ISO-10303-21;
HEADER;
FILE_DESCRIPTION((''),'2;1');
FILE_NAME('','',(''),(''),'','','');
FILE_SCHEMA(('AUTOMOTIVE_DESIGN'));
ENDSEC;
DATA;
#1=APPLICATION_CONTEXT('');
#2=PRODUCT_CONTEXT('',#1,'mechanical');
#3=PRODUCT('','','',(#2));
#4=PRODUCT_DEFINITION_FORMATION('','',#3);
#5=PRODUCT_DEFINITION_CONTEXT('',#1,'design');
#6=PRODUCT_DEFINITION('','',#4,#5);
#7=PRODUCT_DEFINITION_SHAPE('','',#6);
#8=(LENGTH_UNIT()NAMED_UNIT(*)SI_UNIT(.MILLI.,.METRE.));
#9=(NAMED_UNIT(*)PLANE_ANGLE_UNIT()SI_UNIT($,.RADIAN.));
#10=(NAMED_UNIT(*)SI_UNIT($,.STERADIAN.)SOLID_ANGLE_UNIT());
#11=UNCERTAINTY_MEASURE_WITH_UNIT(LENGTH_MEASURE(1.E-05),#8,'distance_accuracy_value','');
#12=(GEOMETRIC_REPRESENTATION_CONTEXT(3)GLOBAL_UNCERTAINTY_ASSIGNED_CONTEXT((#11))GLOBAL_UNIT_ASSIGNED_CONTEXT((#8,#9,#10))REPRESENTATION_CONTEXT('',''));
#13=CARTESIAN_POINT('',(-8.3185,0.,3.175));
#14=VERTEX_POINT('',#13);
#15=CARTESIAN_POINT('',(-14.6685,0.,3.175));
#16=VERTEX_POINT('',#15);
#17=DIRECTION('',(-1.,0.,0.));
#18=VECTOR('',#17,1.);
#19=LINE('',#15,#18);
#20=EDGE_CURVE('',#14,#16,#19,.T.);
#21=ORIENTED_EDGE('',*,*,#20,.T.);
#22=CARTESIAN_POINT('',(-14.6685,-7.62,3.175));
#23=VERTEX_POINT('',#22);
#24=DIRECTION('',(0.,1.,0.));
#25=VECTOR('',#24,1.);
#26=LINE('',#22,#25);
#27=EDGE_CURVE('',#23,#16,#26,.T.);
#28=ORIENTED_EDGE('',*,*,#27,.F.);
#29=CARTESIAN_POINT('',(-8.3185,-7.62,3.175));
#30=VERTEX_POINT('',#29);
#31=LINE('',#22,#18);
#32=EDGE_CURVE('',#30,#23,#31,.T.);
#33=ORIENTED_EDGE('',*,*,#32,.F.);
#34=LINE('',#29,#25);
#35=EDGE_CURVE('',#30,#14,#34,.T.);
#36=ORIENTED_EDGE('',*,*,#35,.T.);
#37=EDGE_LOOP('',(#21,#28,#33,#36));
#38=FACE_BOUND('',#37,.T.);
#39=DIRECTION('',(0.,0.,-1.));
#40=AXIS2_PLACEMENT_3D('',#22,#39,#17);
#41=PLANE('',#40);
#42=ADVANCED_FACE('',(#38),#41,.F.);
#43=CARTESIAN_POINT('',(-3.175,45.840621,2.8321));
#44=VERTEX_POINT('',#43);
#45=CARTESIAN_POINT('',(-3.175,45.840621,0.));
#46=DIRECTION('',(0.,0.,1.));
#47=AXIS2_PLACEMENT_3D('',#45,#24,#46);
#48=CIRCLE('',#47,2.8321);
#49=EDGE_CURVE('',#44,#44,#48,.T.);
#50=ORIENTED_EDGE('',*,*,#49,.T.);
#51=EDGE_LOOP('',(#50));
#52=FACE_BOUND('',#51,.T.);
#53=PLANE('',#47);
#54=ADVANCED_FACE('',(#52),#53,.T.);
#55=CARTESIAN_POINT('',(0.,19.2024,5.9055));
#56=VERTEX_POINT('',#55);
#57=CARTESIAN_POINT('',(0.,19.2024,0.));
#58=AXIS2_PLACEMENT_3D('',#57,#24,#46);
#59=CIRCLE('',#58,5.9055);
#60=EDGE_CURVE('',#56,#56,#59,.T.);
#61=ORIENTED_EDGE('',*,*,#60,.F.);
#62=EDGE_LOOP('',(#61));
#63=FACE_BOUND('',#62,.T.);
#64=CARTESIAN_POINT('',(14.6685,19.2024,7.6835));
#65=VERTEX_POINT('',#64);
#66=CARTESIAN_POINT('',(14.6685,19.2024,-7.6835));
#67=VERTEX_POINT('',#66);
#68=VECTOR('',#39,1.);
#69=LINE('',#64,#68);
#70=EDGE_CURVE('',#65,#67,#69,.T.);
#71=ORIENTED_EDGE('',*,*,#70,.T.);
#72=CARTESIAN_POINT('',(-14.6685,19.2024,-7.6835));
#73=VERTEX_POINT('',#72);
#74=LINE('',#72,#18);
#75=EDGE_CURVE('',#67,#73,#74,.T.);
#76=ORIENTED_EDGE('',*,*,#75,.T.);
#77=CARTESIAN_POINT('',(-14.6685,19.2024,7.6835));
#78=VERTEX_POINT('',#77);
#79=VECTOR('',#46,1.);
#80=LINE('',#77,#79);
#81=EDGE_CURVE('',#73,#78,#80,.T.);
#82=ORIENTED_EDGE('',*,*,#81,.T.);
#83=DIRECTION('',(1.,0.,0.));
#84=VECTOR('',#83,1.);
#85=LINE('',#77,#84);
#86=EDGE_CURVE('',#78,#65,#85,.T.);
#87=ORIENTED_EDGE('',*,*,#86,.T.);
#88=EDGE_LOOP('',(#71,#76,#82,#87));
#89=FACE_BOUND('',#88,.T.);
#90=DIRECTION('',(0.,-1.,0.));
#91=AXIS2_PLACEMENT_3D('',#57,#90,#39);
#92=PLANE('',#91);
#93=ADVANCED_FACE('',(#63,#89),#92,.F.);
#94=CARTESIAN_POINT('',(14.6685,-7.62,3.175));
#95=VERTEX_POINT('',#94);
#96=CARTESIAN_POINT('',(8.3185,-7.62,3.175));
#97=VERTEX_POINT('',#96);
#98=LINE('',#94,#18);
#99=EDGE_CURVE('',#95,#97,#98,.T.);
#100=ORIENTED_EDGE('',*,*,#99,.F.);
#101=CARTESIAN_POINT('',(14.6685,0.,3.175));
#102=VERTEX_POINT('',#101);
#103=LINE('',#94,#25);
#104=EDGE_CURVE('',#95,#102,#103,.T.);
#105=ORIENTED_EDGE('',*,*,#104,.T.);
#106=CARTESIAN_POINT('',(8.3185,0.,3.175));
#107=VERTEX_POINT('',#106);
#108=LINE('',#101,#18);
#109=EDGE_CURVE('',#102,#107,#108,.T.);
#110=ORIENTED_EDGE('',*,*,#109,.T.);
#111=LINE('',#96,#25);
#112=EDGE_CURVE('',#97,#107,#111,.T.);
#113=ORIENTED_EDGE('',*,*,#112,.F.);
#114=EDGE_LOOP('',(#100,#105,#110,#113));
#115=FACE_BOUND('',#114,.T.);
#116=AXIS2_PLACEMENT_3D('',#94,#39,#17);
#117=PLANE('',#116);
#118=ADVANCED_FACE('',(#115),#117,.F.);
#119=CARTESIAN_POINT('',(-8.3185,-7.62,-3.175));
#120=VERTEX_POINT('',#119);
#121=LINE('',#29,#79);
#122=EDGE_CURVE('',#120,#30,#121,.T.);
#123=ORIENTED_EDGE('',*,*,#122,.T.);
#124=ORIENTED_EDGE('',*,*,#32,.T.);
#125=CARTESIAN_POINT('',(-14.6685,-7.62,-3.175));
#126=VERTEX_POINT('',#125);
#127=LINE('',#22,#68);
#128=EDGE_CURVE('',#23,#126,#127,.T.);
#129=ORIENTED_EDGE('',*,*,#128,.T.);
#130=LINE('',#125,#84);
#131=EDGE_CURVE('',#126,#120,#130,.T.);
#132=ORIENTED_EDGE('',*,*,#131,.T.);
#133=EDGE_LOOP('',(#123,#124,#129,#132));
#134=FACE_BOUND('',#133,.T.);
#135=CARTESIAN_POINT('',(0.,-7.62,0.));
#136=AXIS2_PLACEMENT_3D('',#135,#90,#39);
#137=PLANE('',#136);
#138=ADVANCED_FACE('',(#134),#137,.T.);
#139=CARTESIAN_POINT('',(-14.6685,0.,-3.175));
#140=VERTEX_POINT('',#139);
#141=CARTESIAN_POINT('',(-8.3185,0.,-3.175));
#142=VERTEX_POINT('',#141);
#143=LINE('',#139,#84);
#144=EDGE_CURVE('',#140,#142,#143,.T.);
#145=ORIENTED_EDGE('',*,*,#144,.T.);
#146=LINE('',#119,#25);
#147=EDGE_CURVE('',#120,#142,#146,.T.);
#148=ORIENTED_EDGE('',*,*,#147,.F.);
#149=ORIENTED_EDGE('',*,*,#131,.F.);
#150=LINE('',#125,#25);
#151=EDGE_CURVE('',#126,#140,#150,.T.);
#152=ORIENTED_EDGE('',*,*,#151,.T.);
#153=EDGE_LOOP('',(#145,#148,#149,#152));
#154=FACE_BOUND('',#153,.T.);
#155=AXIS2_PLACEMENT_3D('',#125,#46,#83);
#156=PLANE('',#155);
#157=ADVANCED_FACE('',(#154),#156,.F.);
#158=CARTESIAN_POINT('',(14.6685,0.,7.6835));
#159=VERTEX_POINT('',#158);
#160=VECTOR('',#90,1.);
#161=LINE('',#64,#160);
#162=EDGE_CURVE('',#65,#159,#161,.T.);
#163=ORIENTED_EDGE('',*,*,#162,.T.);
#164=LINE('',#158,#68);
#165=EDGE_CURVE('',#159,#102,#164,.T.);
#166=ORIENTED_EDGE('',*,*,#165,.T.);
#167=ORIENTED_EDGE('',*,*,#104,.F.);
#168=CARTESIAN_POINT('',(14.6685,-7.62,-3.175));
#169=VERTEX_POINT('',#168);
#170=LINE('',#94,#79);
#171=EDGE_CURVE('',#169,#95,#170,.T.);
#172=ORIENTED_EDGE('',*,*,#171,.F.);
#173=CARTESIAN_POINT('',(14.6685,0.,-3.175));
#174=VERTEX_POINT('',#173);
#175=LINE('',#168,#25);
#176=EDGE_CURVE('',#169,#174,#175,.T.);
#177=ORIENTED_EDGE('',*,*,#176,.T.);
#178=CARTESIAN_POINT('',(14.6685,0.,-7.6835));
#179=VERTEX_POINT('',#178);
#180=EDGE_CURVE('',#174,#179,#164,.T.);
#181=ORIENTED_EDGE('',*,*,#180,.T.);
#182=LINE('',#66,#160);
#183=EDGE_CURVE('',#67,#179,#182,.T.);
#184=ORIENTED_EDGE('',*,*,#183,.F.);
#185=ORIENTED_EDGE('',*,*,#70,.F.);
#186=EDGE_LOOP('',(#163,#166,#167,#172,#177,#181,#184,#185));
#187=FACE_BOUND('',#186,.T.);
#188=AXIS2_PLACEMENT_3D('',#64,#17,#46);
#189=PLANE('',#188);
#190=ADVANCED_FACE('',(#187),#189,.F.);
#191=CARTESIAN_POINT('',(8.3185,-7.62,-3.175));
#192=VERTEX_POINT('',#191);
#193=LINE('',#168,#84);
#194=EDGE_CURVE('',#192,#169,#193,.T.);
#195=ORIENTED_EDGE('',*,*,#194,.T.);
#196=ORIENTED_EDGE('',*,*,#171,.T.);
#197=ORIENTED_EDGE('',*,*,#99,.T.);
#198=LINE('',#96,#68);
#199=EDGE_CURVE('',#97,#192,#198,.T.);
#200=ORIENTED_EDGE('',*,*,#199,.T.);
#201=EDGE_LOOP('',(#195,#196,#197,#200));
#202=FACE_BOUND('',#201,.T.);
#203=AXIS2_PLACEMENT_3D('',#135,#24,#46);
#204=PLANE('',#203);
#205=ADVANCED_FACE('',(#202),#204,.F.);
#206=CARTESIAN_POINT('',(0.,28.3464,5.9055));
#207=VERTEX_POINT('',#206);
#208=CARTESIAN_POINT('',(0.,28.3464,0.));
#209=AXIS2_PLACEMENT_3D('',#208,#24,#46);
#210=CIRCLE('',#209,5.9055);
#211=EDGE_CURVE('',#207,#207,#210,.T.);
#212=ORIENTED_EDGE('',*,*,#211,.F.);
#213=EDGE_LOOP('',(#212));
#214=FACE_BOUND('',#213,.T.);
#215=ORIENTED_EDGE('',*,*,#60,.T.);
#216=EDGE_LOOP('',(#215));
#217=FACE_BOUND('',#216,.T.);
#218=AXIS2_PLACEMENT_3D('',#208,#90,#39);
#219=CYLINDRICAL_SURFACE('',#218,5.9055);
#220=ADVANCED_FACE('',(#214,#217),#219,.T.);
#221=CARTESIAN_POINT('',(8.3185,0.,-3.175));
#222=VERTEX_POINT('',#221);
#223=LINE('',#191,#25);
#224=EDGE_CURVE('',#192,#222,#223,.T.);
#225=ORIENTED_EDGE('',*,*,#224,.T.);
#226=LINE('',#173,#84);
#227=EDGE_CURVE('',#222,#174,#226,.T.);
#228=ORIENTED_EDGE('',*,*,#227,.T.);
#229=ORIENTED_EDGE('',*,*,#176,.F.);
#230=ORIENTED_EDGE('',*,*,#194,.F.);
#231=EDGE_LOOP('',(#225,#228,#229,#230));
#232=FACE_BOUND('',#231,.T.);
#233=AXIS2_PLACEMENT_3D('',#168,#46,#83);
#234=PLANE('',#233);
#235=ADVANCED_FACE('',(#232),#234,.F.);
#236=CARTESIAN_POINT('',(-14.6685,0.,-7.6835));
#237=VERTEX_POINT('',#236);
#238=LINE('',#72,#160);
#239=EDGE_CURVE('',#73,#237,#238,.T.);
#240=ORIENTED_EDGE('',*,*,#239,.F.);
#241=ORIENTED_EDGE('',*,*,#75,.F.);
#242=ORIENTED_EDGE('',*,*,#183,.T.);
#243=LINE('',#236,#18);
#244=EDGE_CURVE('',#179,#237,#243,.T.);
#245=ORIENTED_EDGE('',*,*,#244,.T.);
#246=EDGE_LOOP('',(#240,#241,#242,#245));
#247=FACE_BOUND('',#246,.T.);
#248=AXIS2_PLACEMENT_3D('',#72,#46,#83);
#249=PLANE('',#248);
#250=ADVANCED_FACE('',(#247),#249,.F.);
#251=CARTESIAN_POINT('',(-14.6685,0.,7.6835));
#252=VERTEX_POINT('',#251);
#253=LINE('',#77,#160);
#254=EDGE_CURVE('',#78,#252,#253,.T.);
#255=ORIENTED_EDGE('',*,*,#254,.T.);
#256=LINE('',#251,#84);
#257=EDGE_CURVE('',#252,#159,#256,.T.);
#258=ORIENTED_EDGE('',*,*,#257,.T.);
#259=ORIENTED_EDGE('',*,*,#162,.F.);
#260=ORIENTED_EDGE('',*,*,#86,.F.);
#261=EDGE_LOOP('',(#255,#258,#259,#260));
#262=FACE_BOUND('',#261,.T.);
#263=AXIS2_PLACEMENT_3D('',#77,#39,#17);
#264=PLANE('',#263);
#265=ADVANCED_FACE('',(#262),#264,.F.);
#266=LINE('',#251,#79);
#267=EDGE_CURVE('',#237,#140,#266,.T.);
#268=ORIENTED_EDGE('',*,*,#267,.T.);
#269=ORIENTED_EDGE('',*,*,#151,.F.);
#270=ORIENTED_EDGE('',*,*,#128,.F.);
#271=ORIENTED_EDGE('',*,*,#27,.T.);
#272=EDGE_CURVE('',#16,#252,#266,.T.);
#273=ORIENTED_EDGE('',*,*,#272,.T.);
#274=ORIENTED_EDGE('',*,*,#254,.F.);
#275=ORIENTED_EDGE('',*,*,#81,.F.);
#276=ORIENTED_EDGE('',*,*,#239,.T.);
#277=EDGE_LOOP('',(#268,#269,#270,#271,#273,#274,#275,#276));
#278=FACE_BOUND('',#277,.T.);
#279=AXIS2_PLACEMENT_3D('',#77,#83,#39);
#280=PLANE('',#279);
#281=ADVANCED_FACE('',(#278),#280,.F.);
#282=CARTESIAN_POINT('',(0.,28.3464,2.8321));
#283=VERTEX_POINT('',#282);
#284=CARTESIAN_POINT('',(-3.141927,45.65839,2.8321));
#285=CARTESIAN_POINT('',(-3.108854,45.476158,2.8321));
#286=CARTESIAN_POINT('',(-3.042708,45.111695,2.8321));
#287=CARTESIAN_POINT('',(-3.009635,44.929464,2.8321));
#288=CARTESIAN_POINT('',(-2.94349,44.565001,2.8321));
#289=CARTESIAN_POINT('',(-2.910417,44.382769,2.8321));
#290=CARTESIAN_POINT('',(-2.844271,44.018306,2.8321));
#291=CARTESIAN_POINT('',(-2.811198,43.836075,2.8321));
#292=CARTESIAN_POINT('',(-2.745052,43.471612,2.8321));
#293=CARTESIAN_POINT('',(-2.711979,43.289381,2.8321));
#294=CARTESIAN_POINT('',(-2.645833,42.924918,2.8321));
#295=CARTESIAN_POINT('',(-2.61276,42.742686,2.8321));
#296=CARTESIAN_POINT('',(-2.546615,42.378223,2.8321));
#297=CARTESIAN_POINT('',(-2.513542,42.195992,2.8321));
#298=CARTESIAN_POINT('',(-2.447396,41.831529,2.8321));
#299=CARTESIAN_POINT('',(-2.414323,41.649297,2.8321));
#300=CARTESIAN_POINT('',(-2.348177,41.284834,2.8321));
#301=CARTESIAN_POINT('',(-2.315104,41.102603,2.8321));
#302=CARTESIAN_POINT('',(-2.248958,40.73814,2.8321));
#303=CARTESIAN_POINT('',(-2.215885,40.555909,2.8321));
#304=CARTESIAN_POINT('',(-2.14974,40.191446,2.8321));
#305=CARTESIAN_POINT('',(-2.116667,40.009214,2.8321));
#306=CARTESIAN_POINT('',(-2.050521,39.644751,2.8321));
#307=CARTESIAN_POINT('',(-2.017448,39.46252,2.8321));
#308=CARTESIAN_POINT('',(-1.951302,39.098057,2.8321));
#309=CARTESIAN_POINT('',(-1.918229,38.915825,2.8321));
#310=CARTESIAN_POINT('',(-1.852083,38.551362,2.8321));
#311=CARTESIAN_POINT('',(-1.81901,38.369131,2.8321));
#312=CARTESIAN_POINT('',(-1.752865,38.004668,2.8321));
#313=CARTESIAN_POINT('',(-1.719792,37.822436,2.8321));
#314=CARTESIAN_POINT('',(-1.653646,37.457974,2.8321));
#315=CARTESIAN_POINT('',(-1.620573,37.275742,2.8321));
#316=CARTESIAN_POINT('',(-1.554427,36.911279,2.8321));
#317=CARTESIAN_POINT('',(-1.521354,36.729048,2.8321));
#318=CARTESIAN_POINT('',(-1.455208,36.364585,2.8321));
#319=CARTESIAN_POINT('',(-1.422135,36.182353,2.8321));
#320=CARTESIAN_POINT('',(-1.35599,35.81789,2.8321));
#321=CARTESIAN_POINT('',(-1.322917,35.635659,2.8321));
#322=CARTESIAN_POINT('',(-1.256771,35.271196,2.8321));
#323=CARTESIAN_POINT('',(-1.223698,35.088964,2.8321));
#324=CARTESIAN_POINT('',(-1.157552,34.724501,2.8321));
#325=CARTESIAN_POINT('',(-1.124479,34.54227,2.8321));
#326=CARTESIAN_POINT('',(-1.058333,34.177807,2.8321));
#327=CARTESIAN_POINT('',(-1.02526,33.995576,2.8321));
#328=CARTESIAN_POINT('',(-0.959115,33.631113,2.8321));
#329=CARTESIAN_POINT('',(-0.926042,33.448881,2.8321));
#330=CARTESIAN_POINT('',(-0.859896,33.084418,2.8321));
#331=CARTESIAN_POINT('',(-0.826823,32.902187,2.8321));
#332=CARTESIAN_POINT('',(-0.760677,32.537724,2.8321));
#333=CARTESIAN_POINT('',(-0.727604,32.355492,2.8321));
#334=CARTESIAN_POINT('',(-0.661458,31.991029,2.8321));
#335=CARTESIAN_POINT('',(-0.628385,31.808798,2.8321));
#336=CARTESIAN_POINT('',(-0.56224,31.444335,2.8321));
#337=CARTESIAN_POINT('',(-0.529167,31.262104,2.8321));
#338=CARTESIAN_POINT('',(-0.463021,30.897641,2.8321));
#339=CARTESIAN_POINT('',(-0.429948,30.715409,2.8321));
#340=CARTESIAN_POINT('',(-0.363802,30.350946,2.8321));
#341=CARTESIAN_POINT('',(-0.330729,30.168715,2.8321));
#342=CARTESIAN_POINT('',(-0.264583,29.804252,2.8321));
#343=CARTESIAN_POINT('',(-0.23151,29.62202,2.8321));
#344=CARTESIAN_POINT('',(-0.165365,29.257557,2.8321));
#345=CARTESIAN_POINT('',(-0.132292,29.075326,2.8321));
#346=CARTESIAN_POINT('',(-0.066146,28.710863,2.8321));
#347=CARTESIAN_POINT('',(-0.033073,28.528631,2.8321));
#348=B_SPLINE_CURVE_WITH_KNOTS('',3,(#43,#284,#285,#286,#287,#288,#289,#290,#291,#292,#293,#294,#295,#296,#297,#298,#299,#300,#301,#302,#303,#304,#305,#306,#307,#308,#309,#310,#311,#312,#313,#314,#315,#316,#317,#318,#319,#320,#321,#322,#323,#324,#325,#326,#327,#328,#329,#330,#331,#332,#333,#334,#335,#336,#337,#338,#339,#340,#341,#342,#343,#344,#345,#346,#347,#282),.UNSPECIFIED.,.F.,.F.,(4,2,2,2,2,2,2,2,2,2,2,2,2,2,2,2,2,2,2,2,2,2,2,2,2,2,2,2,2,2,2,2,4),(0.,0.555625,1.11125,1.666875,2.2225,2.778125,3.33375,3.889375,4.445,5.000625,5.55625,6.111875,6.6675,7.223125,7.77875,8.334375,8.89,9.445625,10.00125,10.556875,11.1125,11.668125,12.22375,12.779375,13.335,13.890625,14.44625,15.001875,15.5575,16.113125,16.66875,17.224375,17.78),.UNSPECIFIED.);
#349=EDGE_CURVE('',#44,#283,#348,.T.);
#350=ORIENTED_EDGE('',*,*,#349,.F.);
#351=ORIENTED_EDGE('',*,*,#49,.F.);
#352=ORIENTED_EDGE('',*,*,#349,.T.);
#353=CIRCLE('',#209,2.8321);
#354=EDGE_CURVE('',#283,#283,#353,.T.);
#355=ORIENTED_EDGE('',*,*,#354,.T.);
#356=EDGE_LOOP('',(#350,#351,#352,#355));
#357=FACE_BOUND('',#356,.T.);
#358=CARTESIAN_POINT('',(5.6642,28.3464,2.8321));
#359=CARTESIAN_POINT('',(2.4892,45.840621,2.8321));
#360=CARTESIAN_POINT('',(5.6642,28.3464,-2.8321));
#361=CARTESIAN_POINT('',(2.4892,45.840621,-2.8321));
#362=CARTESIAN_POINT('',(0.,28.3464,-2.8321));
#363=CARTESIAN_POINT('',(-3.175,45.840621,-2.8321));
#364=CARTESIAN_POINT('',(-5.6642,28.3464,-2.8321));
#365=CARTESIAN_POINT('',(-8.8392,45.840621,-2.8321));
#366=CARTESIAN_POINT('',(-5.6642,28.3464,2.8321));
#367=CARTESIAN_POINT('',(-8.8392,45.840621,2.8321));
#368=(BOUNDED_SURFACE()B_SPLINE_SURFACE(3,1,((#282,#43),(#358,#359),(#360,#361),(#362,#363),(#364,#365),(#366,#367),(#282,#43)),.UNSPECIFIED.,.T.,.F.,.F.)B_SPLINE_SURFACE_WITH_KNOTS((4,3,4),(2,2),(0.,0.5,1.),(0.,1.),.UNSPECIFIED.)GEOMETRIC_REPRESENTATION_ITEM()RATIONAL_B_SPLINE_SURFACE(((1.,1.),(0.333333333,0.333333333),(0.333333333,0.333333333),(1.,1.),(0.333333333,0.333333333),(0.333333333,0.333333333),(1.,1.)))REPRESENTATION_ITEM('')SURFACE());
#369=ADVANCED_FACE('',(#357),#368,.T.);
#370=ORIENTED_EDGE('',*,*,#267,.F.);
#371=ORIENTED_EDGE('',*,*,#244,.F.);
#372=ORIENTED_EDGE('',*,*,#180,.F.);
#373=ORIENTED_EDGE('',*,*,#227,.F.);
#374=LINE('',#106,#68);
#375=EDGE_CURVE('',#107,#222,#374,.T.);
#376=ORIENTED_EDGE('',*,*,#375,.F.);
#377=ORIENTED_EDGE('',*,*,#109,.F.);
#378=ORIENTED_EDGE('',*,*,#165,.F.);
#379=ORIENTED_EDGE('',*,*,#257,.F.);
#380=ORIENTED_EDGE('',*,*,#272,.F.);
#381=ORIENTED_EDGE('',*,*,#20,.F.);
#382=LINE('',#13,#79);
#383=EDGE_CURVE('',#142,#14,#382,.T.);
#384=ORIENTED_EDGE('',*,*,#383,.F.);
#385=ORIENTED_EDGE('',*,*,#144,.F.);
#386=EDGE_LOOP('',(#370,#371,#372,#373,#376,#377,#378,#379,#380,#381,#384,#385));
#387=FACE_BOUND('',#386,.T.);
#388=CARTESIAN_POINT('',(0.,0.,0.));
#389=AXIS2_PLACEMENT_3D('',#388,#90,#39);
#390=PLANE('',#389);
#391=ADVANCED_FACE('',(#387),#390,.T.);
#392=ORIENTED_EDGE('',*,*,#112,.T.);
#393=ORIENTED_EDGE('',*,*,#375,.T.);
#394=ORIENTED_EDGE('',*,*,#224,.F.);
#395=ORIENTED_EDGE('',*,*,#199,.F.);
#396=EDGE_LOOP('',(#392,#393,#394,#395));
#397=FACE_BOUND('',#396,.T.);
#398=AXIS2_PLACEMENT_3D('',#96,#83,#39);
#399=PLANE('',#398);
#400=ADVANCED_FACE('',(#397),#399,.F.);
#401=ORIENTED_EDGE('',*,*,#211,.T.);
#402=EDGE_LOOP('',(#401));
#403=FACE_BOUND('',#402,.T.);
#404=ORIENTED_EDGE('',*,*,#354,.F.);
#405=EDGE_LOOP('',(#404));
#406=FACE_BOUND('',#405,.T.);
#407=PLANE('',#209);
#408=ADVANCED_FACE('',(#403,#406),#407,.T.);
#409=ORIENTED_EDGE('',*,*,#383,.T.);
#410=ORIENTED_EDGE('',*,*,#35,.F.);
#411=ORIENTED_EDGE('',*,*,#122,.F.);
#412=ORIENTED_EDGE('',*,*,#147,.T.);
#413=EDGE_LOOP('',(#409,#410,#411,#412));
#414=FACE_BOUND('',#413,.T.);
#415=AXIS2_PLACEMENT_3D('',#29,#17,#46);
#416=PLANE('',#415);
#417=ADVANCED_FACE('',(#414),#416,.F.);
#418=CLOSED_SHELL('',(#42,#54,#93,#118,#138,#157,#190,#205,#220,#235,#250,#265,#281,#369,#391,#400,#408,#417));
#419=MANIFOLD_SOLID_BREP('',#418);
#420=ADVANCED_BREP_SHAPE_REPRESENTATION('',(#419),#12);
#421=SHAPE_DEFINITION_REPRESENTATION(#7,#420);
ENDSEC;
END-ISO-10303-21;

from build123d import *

# Parameters (mm, degrees)
SKETCH1_W           = 29.337
SKETCH1_H           = 15.367
BOSS_EXTRUDE1_DEPTH = 19.2024
SKETCH2_R           = 5.9055
BOSS_EXTRUDE2_DEPTH = 9.144
SKETCH3_W           = 6.35
SKETCH3_H           = 6.35
BOSS_EXTRUDE3_DEPTH = 7.62
SKETCH4_R           = 2.8321


with BuildPart() as part:
    # Sketch1 → Boss-Extrude1 (new body)
    with BuildSketch(Plane(origin=(0, 0, 0), x_dir=(1, 0, 0), z_dir=(0, 1, 0))):
        Rectangle(SKETCH1_W, SKETCH1_H)
    extrude(amount=BOSS_EXTRUDE1_DEPTH)

    # Sketch2 → Boss-Extrude2 (add)
    with BuildSketch(Plane(origin=(0, 19.2024, 0), x_dir=(1, 0, 0), z_dir=(0, 1, 0))):
        Circle(SKETCH2_R)
    extrude(amount=BOSS_EXTRUDE2_DEPTH)

    # Sketch3 → Boss-Extrude3 (add)
    with BuildSketch(Plane.XZ):
        with Locations((-11.4935, 0)):
            Rectangle(SKETCH3_W, SKETCH3_H)
        with Locations((11.4935, 0)):
            Rectangle(SKETCH3_W, SKETCH3_H)
    extrude(amount=BOSS_EXTRUDE3_DEPTH)

    # Sweep1: sweep along a path in Sketch5
    with BuildLine(Plane.XY) as sweep1_path:
        Line((0, 28.3464), (-3.175, 45.840621189))
    # Sketch4 → Sweep1 (sweep)
    with BuildSketch(Plane(origin=(0, 28.3464, 0), x_dir=(1, 0, 0), z_dir=(0, 1, 0))):
        Circle(SKETCH4_R)
    sweep(path=sweep1_path.line)


solid = part.part
